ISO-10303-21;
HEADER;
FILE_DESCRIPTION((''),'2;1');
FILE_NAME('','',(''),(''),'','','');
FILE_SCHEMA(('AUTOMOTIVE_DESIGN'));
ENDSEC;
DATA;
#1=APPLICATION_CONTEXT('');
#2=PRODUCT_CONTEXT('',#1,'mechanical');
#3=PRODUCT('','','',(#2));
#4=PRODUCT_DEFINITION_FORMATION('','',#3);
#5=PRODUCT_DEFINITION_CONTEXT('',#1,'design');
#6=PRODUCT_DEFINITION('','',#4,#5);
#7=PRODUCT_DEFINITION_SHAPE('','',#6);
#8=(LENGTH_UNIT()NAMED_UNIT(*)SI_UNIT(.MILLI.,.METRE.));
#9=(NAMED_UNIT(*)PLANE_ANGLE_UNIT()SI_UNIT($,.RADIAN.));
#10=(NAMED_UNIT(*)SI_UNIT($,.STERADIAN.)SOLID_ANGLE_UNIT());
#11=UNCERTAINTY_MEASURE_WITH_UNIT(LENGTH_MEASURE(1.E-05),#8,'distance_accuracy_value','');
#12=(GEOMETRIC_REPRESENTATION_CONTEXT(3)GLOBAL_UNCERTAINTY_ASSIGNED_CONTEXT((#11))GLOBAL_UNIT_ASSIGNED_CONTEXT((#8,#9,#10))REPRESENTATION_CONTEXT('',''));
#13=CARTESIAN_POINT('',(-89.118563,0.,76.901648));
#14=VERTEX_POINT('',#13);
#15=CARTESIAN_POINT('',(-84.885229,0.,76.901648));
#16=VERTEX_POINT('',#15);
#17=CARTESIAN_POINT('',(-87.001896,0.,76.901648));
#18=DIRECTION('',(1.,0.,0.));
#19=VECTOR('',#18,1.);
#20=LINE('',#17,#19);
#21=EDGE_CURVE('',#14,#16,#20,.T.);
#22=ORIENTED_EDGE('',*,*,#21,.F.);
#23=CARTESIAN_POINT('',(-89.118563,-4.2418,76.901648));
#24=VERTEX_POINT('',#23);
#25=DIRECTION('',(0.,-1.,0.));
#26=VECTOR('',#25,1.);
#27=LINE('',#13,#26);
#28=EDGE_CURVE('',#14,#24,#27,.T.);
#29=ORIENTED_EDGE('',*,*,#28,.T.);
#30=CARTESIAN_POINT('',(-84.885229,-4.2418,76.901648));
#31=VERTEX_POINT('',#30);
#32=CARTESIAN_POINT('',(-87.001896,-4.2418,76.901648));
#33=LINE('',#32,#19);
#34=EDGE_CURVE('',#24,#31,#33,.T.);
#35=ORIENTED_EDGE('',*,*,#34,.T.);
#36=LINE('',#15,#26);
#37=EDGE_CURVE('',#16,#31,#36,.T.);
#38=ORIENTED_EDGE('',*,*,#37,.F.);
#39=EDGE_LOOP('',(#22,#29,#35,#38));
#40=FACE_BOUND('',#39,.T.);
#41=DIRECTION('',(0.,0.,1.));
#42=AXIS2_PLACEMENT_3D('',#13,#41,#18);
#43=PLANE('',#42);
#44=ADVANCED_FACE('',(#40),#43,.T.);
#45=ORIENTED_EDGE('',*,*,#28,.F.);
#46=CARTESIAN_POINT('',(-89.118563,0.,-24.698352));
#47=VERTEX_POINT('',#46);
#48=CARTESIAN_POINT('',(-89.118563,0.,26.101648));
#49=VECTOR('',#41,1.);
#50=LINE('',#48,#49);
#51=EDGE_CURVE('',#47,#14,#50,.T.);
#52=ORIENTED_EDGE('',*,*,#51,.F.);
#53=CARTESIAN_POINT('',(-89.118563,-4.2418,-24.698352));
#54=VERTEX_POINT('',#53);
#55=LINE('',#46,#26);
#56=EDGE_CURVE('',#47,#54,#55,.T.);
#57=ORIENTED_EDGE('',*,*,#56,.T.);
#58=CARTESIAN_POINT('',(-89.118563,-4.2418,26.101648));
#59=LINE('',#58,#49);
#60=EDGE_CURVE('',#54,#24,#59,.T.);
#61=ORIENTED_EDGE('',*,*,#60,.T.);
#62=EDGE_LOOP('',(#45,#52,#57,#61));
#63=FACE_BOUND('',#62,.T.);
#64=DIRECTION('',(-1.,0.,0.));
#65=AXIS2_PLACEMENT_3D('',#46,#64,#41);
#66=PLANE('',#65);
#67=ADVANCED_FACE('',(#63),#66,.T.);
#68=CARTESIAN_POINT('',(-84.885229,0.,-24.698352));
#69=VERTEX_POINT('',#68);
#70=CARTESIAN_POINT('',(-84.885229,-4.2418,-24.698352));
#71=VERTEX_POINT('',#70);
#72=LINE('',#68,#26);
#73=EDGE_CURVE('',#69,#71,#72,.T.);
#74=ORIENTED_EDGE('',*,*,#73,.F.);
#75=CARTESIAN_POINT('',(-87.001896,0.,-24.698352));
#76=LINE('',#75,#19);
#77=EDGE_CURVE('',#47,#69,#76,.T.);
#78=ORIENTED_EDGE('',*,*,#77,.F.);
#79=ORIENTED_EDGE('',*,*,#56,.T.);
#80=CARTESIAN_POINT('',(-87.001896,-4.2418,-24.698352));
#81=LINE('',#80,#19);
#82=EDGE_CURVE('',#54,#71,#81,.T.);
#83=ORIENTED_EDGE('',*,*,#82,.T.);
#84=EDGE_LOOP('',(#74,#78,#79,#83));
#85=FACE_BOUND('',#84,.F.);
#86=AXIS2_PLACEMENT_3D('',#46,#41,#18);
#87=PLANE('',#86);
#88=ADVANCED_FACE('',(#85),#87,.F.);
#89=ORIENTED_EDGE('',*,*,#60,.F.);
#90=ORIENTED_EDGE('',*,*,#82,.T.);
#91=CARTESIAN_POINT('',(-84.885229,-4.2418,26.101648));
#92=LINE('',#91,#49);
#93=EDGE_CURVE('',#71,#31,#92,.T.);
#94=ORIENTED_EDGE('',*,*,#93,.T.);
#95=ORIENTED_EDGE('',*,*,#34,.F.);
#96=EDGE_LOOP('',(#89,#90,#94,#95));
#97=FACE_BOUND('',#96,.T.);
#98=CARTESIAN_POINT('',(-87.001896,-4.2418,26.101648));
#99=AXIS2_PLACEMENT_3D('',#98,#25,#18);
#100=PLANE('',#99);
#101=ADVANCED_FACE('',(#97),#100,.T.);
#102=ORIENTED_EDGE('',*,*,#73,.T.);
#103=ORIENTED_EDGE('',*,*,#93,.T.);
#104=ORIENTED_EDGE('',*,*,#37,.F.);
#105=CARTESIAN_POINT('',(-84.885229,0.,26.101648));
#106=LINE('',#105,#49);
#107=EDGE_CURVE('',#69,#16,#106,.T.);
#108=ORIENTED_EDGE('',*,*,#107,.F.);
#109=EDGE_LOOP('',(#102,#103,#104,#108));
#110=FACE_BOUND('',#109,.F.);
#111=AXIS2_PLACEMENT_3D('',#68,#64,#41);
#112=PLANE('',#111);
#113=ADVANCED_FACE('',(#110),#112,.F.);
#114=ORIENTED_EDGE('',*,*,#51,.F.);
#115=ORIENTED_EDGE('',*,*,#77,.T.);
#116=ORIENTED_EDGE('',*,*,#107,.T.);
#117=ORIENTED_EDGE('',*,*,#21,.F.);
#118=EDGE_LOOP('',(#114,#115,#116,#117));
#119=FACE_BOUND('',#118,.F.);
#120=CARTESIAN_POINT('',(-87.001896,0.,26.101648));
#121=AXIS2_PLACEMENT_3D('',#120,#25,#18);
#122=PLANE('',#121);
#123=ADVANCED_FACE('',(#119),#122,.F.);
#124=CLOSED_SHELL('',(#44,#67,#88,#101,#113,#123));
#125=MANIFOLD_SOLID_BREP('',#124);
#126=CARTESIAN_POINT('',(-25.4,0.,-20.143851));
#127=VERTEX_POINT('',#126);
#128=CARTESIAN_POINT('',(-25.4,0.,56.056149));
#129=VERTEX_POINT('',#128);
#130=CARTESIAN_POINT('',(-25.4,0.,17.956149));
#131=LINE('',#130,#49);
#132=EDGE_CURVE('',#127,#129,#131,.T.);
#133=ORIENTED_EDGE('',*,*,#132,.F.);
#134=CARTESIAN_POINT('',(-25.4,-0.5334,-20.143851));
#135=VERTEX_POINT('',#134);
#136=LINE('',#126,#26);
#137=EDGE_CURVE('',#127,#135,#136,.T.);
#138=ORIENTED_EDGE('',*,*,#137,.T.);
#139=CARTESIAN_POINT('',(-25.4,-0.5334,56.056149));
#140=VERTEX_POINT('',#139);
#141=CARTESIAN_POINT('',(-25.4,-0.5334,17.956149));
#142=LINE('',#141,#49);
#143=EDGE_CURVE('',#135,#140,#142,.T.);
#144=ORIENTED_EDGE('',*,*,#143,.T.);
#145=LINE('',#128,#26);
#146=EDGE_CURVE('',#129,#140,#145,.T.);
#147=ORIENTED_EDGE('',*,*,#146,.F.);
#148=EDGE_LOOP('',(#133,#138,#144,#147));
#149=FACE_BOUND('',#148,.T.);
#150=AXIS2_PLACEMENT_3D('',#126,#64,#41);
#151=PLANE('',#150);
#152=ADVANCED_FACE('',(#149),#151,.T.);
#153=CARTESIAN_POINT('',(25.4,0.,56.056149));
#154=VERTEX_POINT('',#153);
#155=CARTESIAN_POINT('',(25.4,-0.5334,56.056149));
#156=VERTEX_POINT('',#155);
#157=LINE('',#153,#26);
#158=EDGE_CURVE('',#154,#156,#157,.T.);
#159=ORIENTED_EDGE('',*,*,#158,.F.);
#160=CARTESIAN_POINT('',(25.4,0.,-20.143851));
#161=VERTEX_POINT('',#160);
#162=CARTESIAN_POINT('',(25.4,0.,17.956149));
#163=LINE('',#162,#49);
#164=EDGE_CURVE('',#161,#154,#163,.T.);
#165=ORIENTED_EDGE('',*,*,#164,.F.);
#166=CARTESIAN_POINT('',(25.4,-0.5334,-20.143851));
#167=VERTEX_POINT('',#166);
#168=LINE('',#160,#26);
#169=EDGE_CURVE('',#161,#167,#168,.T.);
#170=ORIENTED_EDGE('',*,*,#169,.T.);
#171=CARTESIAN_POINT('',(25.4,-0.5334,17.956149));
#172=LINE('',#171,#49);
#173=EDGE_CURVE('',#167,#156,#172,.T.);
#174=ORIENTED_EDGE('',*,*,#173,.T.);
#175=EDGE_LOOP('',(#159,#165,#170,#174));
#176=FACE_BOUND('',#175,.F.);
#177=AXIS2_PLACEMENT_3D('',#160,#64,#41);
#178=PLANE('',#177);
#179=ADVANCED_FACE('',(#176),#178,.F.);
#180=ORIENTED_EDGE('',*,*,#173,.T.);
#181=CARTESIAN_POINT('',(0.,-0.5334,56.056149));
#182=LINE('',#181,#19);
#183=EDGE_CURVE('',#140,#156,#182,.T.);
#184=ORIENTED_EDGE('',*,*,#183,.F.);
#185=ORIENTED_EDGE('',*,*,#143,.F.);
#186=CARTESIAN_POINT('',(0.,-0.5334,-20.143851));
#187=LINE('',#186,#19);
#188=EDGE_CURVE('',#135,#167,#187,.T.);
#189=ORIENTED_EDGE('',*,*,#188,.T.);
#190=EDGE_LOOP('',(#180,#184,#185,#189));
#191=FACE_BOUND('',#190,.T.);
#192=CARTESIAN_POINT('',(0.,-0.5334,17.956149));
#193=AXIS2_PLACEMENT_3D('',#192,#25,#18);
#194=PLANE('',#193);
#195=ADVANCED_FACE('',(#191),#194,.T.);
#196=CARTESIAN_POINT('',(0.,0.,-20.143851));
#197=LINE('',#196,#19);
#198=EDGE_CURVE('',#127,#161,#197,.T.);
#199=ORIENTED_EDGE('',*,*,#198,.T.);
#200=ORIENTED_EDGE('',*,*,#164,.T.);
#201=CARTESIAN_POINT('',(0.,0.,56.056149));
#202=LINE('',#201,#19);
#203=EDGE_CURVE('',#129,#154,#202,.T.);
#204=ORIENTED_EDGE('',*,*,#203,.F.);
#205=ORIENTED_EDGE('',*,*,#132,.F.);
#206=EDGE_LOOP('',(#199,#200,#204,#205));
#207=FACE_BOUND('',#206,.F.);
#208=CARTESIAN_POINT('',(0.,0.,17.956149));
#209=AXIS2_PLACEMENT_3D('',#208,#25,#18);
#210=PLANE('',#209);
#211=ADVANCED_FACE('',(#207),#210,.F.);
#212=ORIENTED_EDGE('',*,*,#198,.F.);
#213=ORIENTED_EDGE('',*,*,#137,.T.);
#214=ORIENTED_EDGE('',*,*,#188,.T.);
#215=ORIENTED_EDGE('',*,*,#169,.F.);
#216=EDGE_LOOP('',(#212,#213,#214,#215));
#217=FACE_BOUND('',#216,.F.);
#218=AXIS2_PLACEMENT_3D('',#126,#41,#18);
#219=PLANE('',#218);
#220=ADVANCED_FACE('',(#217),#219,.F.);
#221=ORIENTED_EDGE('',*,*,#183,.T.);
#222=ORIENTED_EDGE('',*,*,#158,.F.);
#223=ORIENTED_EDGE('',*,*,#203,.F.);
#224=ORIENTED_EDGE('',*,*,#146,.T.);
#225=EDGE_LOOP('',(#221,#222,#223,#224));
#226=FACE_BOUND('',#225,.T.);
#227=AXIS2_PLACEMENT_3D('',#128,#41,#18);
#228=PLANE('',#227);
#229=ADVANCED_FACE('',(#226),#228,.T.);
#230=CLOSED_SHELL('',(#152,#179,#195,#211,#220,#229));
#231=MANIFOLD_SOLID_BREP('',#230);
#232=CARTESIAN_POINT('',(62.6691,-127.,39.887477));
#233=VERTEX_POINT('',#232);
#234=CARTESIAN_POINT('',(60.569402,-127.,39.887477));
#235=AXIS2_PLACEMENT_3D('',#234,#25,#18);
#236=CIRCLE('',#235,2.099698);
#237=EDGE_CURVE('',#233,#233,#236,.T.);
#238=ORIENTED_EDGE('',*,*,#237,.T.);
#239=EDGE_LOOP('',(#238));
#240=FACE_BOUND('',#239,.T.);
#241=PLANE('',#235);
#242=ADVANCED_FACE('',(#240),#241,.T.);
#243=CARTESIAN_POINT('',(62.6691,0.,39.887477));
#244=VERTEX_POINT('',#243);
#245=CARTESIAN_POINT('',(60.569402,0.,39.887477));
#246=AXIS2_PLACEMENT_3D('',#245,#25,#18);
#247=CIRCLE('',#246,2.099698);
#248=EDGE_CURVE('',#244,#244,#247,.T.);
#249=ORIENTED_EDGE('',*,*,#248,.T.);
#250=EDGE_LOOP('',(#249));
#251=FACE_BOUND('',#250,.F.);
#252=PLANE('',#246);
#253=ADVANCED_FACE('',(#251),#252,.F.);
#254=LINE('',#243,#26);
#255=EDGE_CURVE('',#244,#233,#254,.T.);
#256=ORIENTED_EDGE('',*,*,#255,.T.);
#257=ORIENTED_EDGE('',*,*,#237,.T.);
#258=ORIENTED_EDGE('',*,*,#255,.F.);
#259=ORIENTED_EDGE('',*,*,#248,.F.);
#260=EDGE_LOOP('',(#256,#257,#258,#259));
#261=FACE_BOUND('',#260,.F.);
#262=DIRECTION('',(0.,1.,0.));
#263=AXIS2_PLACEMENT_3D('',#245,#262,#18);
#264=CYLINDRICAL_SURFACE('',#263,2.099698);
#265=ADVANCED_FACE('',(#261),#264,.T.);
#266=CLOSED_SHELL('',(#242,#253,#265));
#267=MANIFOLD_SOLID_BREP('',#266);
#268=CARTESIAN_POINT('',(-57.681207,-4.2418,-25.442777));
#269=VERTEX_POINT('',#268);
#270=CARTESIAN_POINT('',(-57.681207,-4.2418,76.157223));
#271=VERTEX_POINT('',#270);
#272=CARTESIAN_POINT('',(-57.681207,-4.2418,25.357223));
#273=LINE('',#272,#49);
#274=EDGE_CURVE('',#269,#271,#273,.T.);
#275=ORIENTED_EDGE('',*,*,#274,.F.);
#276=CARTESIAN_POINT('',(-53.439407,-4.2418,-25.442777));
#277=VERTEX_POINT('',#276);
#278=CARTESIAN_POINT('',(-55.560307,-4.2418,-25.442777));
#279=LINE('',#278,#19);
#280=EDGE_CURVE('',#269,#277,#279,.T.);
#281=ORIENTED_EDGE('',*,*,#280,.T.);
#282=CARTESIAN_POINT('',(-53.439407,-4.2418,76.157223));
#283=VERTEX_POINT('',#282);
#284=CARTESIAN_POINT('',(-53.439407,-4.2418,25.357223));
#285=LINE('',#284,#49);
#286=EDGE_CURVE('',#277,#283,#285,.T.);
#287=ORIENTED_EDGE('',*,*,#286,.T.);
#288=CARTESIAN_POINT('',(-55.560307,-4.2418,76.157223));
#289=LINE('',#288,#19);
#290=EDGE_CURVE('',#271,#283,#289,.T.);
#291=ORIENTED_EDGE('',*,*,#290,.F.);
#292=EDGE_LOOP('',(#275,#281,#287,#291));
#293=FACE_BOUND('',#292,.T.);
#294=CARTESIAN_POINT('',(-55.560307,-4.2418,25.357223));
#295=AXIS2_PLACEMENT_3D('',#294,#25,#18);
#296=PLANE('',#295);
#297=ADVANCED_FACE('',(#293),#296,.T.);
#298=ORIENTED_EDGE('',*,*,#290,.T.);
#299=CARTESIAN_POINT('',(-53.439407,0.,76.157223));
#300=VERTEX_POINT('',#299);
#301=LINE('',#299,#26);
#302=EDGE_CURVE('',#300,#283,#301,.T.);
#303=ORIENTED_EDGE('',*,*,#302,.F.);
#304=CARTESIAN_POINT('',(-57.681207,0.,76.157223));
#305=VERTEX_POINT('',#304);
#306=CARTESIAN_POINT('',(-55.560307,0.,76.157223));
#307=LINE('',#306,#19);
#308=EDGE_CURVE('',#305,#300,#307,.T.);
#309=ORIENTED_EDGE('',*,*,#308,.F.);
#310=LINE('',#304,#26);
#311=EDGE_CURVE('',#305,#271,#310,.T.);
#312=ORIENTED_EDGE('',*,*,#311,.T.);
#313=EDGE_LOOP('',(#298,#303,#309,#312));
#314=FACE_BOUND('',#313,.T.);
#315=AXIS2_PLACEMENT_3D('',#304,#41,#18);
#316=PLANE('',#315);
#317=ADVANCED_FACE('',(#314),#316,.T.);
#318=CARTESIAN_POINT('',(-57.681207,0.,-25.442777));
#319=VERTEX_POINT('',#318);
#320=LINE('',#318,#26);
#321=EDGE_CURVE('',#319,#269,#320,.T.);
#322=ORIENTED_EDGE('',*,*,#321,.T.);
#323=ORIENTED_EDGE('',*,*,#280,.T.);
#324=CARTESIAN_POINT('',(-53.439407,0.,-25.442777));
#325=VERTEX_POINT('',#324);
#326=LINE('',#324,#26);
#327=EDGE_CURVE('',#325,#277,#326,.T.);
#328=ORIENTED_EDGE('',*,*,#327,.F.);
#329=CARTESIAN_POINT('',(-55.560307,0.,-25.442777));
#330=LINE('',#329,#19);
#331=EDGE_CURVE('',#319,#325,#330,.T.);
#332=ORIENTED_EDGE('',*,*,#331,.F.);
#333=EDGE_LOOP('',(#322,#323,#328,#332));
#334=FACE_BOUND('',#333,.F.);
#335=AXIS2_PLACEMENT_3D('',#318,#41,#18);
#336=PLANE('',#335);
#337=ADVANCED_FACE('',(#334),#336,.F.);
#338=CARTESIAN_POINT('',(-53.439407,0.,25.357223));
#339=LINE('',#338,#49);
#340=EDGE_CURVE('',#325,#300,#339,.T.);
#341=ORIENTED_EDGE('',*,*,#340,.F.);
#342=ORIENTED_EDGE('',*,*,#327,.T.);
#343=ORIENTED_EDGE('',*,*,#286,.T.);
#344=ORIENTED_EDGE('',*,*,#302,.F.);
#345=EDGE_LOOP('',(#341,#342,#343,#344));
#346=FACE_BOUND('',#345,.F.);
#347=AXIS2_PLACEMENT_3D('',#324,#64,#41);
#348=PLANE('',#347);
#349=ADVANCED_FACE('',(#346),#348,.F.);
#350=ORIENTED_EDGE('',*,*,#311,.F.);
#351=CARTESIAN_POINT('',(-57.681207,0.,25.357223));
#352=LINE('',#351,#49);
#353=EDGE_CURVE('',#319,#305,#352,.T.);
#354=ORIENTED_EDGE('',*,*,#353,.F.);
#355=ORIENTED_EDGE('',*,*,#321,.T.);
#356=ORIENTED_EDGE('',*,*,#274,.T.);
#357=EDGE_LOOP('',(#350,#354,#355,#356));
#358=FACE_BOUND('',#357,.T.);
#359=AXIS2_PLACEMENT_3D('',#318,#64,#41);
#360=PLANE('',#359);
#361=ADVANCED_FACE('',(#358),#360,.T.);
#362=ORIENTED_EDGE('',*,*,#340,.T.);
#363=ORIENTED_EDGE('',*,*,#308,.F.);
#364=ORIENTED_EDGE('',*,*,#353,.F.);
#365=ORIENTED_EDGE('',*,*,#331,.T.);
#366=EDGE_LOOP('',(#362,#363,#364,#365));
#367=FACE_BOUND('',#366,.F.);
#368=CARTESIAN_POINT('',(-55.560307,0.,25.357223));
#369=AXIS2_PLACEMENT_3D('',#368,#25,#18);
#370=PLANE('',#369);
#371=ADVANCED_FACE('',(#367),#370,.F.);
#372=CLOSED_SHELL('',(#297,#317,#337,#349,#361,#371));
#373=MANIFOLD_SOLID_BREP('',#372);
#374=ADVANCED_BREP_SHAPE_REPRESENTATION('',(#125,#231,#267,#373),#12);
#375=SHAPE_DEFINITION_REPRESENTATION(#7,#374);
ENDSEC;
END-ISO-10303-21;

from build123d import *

# Parameters (mm, degrees)
F0_W     = 4.233334
F0_H     = 101.6
F1_DEPTH = 4.2418
F0_W_2   = 50.8
F0_H_2   = 76.2
F2_DEPTH = 0.5334
F3_R     = 2.099698
F4_DEPTH = 127
F0_W_3   = 4.2418
F5_DEPTH = 4.2418


with BuildPart() as f1:
    # F0 (on Front) → F1 (new body)
    with BuildSketch(Plane.XZ):
        with Locations((-87.001896, 26.101648)):
            Rectangle(F0_W, F0_H)
    extrude(amount=F1_DEPTH)


with BuildPart() as f2:
    # F0 (on Front) → F2 (new body)
    with BuildSketch(Plane.XZ):
        with Locations((0, 17.956149)):
            Rectangle(F0_W_2, F0_H_2)
    extrude(amount=F2_DEPTH)


with BuildPart() as f4:
    # F3 (on Front) → F4 (new body)
    with BuildSketch(Plane.XZ):
        with Locations((60.569402, 39.887477)):
            Circle(F3_R)
    extrude(amount=F4_DEPTH)


with BuildPart() as f5:
    # F0 (on Front) → F5 (new body)
    with BuildSketch(Plane.XZ):
        with Locations((-55.560307, 25.357223)):
            Rectangle(F0_W_3, F0_H)
    extrude(amount=F5_DEPTH)


solid = Compound([f1.part, f2.part, f4.part, f5.part])
